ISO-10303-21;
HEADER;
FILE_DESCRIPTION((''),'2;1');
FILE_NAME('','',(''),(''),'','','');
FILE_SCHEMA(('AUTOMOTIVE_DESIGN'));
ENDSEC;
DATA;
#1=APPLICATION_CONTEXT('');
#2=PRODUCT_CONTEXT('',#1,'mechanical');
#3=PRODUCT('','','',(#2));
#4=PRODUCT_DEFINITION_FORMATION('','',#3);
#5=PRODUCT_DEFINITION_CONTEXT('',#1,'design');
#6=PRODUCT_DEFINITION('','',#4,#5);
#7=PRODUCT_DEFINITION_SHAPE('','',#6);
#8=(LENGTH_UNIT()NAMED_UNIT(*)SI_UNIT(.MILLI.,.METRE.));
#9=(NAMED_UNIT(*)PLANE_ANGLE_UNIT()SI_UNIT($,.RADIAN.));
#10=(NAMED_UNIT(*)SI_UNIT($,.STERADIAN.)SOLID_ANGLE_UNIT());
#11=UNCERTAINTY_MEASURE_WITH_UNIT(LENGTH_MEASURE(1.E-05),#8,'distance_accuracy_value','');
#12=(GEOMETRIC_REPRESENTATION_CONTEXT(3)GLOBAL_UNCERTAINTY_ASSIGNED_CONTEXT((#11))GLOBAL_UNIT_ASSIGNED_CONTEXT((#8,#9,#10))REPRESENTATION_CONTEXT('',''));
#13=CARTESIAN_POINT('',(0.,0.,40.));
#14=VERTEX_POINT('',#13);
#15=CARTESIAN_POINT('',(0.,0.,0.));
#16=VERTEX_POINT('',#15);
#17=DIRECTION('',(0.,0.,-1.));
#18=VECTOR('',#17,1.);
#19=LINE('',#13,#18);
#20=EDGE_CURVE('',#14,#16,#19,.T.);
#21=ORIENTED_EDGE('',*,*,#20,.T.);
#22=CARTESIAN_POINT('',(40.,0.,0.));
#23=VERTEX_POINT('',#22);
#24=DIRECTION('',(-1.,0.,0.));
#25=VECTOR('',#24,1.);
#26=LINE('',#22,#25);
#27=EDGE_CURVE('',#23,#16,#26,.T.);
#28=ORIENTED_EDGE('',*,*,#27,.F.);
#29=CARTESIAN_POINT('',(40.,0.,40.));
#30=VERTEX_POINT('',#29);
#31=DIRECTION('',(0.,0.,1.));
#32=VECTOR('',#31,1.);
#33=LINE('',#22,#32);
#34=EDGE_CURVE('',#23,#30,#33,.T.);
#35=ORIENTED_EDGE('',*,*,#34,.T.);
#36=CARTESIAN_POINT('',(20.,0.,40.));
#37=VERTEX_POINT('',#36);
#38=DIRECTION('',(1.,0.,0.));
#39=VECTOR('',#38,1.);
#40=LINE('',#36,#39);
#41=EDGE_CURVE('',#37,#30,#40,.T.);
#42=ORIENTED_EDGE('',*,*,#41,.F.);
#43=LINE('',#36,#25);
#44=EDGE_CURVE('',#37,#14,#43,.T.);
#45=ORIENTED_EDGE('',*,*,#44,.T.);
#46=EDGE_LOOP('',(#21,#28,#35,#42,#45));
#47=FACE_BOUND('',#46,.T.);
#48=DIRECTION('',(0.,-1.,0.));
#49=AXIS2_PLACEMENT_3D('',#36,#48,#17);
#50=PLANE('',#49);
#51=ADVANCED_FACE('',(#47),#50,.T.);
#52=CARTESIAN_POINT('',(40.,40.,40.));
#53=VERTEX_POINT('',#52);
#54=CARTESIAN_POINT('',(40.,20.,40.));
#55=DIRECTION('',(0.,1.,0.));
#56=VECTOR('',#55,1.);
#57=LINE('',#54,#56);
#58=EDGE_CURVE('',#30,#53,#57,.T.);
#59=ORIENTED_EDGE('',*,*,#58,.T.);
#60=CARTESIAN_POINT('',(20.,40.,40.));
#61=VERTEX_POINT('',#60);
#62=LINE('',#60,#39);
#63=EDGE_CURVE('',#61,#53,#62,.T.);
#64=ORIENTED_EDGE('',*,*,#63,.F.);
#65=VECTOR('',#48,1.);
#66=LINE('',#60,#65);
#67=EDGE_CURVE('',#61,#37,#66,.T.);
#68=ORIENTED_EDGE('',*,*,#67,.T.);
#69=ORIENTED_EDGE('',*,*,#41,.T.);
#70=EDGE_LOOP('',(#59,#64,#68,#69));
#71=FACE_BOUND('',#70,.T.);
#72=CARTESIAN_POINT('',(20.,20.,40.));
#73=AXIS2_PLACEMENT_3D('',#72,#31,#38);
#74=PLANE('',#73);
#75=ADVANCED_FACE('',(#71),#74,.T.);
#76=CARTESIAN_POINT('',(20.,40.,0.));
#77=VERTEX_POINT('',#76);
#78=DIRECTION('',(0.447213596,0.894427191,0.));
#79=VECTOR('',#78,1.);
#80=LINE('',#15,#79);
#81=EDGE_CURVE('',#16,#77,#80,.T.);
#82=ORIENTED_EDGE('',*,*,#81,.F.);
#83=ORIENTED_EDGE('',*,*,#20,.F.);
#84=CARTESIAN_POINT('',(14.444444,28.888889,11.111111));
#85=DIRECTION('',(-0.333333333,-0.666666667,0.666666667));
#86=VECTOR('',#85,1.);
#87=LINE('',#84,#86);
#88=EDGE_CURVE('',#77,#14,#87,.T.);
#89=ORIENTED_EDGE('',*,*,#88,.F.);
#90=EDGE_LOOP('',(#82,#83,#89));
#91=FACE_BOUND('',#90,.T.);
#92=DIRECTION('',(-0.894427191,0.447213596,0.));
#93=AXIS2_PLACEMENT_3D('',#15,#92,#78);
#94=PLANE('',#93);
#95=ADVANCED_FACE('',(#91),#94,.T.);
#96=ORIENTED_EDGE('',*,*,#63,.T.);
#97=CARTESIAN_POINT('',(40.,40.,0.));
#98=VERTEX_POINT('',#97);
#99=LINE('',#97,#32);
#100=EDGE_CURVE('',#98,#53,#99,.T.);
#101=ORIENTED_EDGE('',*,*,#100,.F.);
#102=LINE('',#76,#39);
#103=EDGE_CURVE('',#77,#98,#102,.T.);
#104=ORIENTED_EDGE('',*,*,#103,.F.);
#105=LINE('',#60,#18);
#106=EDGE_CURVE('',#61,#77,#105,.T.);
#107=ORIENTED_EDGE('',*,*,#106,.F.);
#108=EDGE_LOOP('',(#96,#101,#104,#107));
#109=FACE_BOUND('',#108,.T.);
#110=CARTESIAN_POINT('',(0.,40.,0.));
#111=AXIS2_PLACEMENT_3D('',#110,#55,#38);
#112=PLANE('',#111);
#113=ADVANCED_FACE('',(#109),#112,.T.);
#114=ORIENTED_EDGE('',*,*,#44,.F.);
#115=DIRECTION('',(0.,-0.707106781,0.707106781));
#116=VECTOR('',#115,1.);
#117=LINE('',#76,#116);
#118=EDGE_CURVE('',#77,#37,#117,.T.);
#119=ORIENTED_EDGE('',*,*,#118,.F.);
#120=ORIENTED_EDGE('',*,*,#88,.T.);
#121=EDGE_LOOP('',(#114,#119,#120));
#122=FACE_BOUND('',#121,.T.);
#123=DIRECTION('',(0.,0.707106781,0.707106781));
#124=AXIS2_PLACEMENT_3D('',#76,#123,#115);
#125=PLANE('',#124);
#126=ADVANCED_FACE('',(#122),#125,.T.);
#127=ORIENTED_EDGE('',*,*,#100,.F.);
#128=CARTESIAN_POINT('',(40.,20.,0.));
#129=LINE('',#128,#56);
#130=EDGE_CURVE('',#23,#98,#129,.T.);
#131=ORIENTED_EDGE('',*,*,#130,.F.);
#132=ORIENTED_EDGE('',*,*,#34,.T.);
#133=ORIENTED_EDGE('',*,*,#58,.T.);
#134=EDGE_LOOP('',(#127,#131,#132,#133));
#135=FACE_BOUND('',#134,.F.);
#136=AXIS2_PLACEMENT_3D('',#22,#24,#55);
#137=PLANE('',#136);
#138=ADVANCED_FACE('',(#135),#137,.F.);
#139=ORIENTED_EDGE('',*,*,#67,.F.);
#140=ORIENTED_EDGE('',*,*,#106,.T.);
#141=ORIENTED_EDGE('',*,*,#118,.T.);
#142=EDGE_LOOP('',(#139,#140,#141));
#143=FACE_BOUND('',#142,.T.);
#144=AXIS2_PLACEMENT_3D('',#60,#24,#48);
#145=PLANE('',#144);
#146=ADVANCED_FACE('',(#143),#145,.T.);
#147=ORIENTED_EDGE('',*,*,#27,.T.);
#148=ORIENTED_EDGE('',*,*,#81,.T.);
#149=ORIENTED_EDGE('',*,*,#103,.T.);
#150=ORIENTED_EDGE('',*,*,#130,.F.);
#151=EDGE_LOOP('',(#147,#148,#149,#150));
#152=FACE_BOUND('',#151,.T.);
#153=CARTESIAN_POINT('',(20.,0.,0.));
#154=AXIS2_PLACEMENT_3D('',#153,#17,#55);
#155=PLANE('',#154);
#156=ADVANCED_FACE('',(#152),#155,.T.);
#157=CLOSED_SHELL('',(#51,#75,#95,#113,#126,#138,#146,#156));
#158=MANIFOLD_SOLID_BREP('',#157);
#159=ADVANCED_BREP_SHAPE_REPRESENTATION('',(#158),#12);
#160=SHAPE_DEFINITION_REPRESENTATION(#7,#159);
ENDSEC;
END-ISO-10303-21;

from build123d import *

# Parameters (mm, degrees)
SKETCH1_W           = 40
SKETCH1_H           = 40
BOSS_EXTRUDE1_DEPTH = 40
CUT_EXTRUDE1_DEPTH  = 40
CUT_EXTRUDE4_DEPTH  = 20
CUT_EXTRUDE5_DEPTH  = 20
BOSS_EXTRUDE2_DEPTH = 20
CUT_EXTRUDE6_DEPTH  = 50


with BuildPart() as part:
    # Sketch1 → Boss-Extrude1 (new body)
    with BuildSketch(Plane.XY):
        with Locations((20, 20)):
            Rectangle(SKETCH1_W, SKETCH1_H)
    extrude(amount=BOSS_EXTRUDE1_DEPTH)

    # Sketch2 → Cut-Extrude1 (cut)
    with BuildSketch(Plane.XY.offset(40)):
        Polygon((0, 0), (20, 40), (0, 40), align=None)
    extrude(amount=-CUT_EXTRUDE1_DEPTH, mode=Mode.SUBTRACT)

    # Sketch7 → Cut-Extrude4 (cut)
    with BuildSketch(Plane.XY.offset(40)):
        Polygon((20, 40), (20, 0), (0, 0), align=None)
    extrude(amount=-CUT_EXTRUDE4_DEPTH, mode=Mode.SUBTRACT)

    # Sketch8 → Cut-Extrude5 (cut)
    with BuildSketch(Plane.XY.offset(20)):
        Polygon((20, 40), (0, 0), (20, 0), align=None)
    extrude(amount=-CUT_EXTRUDE5_DEPTH, mode=Mode.SUBTRACT)

    # Sketch9 → Boss-Extrude2 (add)
    with BuildSketch(Plane.ZY.offset(-20)):
        Polygon((0, 40), (40, 0), (0, 0), align=None)
    extrude(amount=BOSS_EXTRUDE2_DEPTH)

    # Sketch10 → Cut-Extrude6 (cut)
    with BuildSketch(Plane(origin=(0, 0, 0), x_dir=(-1, 0, 0), z_dir=(0, 0, -1))):
        Polygon((0, 0), (-20, 40), (0, 40), align=None)
    extrude(amount=-CUT_EXTRUDE6_DEPTH, mode=Mode.SUBTRACT)


solid = part.part
